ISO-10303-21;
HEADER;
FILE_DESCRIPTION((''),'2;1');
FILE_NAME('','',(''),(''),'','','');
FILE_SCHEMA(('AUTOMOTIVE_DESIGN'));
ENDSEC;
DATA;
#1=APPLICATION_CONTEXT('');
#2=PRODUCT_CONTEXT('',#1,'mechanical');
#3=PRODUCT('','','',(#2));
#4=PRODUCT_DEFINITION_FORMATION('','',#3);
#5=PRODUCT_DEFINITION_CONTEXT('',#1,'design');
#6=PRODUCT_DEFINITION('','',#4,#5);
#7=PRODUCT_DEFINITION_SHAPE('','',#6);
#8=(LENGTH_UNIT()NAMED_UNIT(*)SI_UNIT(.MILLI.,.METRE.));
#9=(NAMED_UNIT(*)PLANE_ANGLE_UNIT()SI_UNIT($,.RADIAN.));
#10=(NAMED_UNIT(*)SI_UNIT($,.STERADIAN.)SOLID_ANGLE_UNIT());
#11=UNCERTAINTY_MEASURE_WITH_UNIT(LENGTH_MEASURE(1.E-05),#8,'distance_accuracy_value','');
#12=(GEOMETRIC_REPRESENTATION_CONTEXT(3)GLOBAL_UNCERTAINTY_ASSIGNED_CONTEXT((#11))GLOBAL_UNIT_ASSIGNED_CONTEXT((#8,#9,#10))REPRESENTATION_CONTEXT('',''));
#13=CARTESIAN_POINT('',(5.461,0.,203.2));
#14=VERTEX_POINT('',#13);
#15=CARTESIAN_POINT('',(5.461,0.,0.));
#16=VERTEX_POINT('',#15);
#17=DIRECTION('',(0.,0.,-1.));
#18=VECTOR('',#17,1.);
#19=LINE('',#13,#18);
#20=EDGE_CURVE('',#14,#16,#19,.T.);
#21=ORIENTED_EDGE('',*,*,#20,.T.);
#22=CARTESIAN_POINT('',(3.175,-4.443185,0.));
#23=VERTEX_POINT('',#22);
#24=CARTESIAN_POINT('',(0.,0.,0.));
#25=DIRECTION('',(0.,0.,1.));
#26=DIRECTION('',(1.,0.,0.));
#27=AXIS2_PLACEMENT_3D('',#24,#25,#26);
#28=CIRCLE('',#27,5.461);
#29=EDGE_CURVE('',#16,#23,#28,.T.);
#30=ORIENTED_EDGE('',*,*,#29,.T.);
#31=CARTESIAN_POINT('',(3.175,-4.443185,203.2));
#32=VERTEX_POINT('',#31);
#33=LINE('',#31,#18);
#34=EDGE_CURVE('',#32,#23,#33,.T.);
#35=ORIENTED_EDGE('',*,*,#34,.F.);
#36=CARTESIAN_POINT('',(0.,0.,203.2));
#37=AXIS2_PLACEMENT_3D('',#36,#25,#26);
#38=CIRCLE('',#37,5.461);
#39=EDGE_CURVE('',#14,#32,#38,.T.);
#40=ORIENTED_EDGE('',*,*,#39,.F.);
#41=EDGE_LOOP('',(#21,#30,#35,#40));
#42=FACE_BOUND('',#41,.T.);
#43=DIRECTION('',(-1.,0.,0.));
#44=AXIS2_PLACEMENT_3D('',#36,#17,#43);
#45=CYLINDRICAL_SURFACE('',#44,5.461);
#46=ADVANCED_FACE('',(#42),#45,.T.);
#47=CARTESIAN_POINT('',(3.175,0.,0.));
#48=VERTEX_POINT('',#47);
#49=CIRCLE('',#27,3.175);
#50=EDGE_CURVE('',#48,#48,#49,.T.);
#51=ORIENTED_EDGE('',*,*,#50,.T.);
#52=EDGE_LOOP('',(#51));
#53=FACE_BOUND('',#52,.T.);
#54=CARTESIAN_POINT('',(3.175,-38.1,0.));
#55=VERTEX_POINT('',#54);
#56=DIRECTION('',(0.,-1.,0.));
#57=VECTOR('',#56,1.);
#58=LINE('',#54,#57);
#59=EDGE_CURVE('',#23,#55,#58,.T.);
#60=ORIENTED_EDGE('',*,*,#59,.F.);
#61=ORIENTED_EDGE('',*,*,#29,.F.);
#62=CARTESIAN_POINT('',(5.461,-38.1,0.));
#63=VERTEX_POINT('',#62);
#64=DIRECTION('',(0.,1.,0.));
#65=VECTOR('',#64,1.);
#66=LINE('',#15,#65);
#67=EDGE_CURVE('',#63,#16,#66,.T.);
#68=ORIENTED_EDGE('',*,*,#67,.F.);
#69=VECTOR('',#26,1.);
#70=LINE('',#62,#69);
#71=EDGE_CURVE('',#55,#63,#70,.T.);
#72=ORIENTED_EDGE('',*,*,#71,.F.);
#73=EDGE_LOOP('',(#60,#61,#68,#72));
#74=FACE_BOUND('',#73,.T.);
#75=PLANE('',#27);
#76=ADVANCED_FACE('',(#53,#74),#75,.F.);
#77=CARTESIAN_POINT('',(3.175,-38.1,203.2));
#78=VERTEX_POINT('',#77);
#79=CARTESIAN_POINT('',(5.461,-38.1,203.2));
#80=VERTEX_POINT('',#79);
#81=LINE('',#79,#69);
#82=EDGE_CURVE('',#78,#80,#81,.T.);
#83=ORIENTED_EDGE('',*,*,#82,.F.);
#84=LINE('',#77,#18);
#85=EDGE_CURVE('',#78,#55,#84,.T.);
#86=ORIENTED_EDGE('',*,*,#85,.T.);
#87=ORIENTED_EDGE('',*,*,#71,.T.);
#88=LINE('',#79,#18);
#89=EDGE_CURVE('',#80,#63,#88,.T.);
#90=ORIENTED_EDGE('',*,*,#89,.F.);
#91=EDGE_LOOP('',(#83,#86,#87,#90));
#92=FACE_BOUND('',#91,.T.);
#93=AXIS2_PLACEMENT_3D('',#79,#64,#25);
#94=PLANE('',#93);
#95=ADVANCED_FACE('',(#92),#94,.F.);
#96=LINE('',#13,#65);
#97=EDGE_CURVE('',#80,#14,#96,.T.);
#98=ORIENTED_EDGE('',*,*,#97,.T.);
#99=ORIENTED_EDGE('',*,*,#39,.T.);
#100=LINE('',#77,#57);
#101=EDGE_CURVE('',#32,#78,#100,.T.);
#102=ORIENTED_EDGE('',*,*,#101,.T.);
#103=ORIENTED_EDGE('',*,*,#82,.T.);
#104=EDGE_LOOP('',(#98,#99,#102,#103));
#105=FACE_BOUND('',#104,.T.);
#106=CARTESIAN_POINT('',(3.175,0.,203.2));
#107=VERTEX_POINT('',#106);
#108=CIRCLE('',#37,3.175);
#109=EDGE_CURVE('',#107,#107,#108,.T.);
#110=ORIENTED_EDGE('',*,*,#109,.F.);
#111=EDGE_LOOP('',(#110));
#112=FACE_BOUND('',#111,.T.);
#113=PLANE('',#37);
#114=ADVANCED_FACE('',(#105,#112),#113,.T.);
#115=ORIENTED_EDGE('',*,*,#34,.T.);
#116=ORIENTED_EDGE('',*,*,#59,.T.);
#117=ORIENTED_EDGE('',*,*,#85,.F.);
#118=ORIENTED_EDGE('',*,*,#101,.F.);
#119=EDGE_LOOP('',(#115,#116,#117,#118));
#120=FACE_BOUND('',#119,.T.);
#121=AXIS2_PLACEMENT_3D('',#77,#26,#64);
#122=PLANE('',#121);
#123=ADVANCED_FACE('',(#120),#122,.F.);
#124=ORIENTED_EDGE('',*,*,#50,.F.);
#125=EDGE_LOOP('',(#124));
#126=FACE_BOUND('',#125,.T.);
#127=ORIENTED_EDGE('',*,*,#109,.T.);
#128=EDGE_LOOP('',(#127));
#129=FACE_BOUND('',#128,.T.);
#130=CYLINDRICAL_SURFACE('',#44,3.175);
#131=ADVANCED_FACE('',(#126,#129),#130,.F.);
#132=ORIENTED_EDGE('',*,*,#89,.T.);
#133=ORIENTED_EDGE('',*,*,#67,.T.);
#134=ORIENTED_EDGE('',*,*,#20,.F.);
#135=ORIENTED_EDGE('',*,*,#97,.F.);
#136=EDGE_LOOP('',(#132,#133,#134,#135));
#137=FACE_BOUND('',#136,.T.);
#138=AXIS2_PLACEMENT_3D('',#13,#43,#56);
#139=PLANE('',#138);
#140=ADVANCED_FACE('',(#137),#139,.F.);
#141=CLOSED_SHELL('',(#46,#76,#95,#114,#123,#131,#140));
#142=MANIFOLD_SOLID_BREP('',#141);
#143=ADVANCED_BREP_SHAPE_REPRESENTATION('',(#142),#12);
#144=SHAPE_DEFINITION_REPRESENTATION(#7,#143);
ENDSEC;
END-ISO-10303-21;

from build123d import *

# Parameters (mm, degrees)
SKETCH1_R           = 3.175
BOSS_EXTRUDE1_DEPTH = 203.2


with BuildPart() as part:
    # Sketch1 → Boss-Extrude1 (new body)
    with BuildSketch(Plane.XY):
        with BuildLine():
            Line((5.461, 0), (5.461, -38.1))
            Line((5.461, -38.1), (3.175, -38.1))
            Line((3.175, -38.1), (3.175, -4.443185344))
            ThreePointArc((3.175, -4.443185344), (-4.855985791, 2.498384078), (5.461, 0))
        make_face()
        Circle(SKETCH1_R, mode=Mode.SUBTRACT)
    extrude(amount=BOSS_EXTRUDE1_DEPTH)


solid = part.part
